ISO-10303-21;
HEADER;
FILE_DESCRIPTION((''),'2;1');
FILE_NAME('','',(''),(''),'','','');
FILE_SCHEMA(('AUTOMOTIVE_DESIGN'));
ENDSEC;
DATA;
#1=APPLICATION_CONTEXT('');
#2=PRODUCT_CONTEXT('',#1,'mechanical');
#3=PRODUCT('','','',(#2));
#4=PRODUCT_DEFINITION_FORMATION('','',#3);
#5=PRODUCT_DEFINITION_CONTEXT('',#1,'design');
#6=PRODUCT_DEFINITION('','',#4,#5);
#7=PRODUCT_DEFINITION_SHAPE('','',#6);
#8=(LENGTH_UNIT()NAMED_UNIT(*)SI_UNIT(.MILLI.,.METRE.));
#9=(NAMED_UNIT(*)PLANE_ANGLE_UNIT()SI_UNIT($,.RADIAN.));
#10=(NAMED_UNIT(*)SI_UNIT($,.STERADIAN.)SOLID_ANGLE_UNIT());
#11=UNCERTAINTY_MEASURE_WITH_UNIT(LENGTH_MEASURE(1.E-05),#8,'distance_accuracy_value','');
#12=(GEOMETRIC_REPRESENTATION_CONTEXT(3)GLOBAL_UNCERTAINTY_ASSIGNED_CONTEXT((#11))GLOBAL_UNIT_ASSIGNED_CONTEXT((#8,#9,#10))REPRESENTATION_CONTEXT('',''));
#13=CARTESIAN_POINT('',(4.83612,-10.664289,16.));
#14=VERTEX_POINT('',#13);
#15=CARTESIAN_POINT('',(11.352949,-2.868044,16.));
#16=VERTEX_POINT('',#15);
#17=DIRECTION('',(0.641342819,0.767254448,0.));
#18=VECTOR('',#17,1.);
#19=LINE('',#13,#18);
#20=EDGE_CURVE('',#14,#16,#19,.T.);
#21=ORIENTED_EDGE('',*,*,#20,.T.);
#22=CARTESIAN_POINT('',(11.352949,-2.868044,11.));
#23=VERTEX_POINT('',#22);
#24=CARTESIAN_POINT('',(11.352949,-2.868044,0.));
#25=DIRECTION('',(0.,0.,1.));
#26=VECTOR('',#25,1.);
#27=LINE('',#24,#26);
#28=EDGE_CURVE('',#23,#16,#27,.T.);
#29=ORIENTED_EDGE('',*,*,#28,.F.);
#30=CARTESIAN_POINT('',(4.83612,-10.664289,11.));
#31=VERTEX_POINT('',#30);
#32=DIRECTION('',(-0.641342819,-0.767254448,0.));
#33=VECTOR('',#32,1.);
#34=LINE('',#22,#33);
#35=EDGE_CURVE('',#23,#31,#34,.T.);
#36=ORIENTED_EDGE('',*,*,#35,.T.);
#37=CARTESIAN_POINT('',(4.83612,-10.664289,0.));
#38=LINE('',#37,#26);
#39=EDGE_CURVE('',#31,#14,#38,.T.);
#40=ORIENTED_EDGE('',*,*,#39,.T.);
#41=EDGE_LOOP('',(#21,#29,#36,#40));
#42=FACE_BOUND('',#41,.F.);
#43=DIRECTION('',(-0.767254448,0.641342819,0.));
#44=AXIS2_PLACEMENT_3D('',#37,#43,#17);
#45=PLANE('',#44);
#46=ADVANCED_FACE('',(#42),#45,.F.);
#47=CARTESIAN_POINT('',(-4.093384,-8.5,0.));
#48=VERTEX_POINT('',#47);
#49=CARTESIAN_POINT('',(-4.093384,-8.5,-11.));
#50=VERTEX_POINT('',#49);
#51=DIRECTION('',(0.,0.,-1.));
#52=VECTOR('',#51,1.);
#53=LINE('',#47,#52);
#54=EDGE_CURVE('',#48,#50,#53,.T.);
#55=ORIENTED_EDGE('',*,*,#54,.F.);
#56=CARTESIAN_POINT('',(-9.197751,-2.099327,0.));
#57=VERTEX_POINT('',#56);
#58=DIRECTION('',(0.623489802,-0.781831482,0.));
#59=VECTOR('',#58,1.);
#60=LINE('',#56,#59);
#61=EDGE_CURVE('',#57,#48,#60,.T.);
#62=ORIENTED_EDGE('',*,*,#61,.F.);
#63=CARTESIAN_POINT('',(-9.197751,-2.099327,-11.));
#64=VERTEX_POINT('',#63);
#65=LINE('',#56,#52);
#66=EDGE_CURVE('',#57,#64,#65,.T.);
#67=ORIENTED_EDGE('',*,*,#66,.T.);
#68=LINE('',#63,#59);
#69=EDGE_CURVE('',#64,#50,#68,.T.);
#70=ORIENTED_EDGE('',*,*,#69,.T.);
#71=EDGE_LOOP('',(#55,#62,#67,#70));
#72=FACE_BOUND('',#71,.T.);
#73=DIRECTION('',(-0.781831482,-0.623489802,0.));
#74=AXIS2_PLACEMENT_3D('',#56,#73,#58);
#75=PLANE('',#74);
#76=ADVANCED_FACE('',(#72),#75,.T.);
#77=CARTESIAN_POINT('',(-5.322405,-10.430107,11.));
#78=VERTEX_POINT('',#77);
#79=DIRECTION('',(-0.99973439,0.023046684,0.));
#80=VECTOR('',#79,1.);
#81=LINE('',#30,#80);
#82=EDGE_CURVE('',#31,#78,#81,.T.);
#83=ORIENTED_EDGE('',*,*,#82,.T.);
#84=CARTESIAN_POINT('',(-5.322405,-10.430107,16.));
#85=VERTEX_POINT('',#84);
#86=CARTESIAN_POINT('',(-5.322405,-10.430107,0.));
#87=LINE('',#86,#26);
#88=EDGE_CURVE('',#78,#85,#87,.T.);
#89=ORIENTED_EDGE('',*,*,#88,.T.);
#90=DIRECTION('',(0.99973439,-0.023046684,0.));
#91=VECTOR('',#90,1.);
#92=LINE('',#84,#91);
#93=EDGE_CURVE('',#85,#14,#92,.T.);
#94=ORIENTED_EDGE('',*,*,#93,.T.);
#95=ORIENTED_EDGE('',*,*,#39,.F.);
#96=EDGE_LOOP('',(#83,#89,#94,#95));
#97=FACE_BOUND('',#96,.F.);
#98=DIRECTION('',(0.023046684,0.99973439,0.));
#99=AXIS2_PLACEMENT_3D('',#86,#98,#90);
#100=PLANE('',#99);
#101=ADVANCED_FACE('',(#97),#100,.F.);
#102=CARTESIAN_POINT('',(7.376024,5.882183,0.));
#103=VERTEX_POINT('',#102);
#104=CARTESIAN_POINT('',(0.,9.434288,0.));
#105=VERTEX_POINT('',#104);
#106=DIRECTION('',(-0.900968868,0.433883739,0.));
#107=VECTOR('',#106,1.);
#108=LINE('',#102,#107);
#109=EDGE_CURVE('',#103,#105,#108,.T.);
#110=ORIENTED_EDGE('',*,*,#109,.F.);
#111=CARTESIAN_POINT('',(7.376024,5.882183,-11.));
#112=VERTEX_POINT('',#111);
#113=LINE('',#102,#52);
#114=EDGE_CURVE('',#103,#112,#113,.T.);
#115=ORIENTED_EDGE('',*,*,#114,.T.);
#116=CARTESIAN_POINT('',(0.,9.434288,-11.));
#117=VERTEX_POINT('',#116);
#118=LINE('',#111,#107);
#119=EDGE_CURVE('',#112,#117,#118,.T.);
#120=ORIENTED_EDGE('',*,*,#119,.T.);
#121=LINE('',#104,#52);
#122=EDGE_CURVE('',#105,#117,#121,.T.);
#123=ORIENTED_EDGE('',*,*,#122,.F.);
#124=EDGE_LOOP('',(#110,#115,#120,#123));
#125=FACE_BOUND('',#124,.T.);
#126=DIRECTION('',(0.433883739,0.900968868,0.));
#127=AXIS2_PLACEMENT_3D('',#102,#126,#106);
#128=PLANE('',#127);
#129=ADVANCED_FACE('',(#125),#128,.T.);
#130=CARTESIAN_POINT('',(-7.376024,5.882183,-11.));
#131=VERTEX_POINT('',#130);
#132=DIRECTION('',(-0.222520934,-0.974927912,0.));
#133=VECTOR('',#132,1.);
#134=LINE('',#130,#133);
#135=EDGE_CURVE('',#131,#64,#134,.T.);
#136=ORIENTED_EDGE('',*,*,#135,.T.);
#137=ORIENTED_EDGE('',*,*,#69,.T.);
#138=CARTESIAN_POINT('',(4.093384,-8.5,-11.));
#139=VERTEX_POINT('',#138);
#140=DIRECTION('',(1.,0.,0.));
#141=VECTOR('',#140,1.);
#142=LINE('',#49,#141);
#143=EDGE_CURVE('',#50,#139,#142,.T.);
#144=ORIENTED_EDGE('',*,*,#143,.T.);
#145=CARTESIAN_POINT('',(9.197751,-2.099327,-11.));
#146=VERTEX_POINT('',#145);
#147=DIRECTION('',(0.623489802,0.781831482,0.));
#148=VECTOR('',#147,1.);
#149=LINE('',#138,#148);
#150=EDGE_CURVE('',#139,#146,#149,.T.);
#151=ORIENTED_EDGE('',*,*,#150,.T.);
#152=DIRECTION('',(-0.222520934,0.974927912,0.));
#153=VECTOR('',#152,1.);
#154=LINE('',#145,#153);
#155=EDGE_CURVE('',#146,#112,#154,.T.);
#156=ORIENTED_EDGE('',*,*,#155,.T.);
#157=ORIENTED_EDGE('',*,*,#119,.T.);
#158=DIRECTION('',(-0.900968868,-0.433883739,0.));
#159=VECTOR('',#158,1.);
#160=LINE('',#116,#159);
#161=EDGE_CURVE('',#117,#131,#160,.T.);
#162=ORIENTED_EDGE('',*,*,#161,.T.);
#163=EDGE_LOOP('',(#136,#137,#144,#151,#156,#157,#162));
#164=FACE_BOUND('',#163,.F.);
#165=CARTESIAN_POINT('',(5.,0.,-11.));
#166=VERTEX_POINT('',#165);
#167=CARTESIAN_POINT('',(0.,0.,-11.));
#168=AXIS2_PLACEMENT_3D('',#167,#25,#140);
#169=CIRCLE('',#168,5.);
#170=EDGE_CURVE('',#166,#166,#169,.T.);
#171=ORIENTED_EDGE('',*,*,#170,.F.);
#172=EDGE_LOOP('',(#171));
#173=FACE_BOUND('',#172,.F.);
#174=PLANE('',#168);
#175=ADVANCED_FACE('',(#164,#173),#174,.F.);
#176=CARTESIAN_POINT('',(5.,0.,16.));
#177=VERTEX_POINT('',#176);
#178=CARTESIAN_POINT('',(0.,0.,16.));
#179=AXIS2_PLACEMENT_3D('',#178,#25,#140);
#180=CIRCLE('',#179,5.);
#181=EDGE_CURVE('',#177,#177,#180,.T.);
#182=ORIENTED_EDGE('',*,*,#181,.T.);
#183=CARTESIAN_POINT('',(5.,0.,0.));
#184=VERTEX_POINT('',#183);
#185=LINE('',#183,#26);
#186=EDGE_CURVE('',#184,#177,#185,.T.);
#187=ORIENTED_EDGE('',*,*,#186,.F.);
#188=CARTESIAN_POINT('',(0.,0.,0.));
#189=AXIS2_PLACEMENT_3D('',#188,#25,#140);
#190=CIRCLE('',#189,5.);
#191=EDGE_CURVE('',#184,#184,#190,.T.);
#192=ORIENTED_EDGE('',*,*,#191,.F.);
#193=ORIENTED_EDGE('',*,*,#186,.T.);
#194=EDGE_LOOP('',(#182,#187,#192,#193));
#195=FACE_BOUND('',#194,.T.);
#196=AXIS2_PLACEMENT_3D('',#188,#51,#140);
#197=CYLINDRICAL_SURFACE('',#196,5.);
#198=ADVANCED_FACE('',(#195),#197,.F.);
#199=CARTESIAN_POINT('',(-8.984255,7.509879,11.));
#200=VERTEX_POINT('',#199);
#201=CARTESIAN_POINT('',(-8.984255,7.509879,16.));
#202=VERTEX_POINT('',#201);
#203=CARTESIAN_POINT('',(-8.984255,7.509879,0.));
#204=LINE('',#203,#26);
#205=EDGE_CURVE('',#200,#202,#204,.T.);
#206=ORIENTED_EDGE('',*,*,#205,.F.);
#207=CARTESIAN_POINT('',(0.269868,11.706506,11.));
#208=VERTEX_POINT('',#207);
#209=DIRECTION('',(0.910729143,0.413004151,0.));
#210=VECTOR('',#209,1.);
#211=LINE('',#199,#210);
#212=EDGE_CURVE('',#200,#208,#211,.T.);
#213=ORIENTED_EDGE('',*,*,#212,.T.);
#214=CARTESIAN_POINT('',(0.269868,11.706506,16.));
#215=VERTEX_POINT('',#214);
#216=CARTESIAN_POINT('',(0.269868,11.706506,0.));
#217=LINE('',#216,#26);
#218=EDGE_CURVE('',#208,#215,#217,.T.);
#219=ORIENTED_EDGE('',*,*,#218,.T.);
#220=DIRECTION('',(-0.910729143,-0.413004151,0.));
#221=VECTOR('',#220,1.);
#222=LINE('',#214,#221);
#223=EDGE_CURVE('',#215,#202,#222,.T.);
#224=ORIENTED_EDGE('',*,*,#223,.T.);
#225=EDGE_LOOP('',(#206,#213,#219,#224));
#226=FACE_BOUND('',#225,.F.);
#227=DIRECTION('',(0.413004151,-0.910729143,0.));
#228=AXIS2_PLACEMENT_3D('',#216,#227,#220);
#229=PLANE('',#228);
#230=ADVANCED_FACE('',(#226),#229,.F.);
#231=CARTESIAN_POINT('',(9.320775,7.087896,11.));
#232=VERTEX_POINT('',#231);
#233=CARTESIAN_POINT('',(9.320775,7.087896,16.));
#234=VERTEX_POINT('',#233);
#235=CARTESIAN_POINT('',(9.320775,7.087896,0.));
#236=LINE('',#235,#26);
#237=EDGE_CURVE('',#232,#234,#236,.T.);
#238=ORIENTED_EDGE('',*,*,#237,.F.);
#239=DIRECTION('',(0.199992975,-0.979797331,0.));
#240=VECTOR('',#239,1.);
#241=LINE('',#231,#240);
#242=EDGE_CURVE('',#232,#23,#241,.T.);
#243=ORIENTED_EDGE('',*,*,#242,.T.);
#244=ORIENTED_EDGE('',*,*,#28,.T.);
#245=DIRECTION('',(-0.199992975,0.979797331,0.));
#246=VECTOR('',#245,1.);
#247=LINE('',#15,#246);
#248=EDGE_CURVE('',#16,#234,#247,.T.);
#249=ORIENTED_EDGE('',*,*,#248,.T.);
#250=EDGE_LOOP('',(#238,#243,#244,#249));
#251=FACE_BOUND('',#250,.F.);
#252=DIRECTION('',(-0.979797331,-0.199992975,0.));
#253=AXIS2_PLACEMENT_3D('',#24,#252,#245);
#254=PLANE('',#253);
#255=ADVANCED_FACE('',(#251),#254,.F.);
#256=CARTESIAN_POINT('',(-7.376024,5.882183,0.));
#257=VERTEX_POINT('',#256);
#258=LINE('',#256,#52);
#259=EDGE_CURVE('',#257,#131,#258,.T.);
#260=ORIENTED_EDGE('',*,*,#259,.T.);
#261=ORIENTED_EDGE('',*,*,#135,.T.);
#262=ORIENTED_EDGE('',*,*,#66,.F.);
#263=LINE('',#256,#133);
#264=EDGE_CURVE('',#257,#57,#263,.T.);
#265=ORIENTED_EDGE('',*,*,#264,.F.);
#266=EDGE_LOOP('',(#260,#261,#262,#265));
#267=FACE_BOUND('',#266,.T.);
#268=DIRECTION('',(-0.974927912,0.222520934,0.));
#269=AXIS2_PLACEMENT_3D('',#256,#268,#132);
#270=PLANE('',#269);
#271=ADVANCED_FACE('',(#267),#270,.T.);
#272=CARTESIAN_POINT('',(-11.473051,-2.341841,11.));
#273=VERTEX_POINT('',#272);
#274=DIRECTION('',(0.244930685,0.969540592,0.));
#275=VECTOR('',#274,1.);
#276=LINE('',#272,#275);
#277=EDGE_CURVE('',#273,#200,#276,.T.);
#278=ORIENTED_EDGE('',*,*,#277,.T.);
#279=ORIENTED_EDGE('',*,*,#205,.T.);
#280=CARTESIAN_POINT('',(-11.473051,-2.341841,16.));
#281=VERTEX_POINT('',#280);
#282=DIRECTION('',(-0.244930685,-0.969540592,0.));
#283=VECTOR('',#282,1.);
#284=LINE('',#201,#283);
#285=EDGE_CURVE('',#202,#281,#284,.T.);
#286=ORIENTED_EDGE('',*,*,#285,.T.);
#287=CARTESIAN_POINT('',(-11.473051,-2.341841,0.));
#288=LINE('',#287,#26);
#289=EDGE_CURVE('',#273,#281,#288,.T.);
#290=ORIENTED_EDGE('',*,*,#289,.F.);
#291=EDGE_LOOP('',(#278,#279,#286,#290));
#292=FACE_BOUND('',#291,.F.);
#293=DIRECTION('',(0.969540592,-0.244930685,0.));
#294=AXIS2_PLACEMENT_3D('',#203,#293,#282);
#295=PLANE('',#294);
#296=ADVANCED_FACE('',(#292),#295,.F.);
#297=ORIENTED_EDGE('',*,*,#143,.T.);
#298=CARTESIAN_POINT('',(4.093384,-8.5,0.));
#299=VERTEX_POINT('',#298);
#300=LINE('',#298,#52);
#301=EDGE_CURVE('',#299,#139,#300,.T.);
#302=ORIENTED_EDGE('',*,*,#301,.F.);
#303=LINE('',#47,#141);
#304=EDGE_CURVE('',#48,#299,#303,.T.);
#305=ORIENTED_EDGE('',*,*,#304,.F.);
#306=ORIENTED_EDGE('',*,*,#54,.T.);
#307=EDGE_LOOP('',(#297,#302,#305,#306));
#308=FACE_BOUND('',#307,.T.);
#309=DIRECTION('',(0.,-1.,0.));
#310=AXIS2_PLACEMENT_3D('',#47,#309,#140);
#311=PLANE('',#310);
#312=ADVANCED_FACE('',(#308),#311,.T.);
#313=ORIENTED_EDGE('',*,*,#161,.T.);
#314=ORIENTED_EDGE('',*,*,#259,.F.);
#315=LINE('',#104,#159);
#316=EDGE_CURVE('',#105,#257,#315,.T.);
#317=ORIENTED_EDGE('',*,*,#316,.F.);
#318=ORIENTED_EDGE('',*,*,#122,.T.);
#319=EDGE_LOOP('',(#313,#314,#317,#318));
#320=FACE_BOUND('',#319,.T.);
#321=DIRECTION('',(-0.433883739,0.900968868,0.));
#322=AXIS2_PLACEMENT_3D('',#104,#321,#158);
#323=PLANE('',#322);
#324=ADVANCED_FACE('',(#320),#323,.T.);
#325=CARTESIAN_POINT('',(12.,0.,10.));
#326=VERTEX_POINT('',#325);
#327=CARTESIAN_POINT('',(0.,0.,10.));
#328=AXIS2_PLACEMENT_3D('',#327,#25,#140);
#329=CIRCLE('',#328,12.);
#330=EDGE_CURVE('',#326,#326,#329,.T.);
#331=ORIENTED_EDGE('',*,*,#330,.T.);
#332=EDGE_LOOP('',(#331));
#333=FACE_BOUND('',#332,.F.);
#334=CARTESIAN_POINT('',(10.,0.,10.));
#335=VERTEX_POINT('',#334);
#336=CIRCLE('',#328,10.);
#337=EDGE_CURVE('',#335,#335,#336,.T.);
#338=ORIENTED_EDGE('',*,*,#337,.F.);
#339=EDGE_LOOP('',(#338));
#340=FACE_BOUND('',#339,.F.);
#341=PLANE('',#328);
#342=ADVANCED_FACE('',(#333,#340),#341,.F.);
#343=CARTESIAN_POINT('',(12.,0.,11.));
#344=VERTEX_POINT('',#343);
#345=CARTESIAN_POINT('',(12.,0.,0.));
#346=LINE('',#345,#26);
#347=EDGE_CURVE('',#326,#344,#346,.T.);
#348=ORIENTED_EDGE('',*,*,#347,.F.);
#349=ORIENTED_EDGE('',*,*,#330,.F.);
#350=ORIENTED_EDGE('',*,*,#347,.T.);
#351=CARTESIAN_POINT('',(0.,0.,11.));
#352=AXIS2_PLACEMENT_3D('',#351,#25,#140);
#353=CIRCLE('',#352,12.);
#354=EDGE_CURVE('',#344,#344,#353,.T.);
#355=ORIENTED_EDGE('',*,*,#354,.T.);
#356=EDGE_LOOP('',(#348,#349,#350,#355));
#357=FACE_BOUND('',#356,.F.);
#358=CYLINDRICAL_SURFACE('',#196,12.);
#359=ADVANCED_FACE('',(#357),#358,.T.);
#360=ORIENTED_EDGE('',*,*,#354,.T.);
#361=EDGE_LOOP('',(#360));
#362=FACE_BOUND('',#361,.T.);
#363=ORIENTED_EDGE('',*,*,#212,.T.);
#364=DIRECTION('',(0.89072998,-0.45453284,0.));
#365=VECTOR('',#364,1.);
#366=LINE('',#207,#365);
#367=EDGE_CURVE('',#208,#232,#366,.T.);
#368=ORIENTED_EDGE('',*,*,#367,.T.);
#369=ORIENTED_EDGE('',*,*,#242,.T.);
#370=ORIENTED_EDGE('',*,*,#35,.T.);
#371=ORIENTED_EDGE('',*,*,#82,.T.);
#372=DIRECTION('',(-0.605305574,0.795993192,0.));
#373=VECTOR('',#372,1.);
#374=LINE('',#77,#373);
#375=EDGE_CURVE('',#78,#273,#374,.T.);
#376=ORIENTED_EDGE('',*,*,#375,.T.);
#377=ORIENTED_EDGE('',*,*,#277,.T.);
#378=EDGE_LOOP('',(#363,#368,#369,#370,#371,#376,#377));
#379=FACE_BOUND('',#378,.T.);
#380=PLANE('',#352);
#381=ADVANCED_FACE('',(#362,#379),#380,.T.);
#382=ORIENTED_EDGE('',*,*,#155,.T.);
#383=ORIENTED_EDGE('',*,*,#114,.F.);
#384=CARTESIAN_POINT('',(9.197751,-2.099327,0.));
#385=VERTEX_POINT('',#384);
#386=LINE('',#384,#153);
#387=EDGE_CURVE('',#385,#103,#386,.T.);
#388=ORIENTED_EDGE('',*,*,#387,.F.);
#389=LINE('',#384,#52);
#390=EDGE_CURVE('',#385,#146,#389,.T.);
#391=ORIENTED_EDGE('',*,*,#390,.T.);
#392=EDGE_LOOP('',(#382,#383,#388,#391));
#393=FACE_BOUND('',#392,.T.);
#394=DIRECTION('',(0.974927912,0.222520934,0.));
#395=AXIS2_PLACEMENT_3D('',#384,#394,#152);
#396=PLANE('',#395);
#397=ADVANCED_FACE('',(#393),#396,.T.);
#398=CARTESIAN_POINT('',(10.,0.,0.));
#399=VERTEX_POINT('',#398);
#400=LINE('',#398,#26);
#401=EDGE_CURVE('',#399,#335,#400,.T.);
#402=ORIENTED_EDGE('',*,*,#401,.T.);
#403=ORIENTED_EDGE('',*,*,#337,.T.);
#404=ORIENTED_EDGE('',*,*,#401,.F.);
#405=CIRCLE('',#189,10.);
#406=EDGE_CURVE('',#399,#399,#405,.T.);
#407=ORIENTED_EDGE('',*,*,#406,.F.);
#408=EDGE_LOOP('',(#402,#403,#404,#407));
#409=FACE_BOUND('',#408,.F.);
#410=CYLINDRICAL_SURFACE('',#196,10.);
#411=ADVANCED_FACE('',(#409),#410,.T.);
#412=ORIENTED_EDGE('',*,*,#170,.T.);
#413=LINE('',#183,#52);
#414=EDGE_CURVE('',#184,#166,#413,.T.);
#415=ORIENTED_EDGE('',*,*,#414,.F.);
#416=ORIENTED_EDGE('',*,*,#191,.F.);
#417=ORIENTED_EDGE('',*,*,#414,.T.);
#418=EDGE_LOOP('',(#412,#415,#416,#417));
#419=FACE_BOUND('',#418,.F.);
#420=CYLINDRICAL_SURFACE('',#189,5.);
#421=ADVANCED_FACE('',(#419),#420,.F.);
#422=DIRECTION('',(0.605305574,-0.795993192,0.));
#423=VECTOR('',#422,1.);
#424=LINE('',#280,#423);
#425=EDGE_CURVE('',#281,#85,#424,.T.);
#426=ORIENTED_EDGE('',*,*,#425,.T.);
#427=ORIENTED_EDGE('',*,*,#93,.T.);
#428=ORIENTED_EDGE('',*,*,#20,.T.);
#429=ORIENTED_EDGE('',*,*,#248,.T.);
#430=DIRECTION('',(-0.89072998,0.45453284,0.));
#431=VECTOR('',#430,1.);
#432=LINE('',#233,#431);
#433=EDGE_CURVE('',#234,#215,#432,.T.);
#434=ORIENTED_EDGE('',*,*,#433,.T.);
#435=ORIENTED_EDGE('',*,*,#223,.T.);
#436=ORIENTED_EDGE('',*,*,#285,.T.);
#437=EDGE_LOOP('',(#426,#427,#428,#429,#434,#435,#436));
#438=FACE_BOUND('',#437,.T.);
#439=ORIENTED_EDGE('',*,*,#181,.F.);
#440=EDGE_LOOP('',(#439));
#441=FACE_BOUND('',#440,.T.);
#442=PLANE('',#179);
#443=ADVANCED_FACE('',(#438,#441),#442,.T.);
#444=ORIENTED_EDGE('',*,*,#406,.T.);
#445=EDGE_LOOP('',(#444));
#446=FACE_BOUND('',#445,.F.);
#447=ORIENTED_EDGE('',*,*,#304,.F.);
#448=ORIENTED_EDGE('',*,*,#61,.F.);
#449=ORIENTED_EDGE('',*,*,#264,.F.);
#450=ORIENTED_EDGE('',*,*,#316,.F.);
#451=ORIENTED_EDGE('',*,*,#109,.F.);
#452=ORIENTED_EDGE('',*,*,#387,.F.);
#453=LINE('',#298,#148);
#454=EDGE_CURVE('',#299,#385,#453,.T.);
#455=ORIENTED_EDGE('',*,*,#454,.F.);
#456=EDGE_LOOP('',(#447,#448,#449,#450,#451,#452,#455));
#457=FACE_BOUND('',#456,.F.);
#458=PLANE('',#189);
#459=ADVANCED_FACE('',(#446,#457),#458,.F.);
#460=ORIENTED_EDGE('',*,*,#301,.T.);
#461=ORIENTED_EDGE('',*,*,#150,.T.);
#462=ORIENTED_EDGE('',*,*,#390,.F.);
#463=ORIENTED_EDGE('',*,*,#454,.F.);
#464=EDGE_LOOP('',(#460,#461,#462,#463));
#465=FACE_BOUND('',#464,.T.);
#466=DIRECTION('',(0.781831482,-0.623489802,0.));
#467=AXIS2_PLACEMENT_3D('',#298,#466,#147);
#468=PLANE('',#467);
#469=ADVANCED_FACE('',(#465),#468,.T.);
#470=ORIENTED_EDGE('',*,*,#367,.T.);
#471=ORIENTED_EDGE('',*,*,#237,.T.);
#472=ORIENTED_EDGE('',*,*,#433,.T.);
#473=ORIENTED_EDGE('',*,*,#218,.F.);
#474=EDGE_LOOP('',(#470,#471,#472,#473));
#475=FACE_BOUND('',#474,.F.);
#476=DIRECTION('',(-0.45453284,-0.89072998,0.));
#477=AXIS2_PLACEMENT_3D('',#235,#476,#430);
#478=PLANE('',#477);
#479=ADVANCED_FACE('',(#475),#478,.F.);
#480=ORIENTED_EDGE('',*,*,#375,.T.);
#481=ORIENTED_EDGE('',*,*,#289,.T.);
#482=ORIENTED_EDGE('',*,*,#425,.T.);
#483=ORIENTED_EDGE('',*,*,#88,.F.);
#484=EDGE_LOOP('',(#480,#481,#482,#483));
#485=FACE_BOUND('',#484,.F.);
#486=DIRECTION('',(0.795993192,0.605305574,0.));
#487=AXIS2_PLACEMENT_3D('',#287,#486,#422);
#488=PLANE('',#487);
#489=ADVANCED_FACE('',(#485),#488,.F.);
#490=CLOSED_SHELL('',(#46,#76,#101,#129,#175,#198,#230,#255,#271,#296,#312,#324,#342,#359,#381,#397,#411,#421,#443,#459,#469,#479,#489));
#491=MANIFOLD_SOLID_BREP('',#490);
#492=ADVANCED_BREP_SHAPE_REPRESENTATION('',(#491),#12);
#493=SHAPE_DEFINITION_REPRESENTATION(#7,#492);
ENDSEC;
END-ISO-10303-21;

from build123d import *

# Parameters (mm, degrees)
F0_R     = 10
F0_R_2   = 5
F1_DEPTH = 16
F0_R_3   = 12
F2_DEPTH = 11
F3_DEPTH = 10
F4_DEPTH = 10
F5_DEPTH = 11


with BuildPart() as f1:
    # F0 (on Top) → F1 (new body)
    with BuildSketch(Plane.XY):
        Polygon((4.8361202547, -10.664289076), (11.3529485972, -2.8680444149), (9.320775088, 7.0878961882), (0.2698678284, 11.7065063948), (-8.9842554103, 7.5098785169), (-11.4730510796, -2.3418410578), (-5.3224052784, -10.4301065511), align=None)
        Circle(F0_R, mode=Mode.SUBTRACT)
        Circle(F0_R)
        Polygon((9.1977509421, -2.0993266316), (4.0933842599, -8.5), (-4.0933842599, -8.5), (-9.1977509421, -2.0993266316), (-7.376023565, 5.8821825089), (0, 9.4342882455), (7.376023565, 5.8821825089), align=None, mode=Mode.SUBTRACT)
        Polygon((-4.0933842599, -8.5), (4.0933842599, -8.5), (9.1977509421, -2.0993266316), (7.376023565, 5.8821825089), (0, 9.4342882455), (-7.376023565, 5.8821825089), (-9.1977509421, -2.0993266316), align=None)
        Circle(F0_R_2, mode=Mode.SUBTRACT)
    extrude(amount=F1_DEPTH)

    # F0 (on Top) → F2 (join)
    with BuildSketch(Plane.XY):
        Circle(F0_R_3)
        Polygon((9.320775088, 7.0878961882), (11.3529485972, -2.8680444149), (4.8361202547, -10.664289076), (-5.3224052784, -10.4301065511), (-11.4730510796, -2.3418410578), (-8.9842554103, 7.5098785169), (0.2698678284, 11.7065063948), align=None, mode=Mode.SUBTRACT)
    extrude(amount=F2_DEPTH)

    # F0 (on Top) → F3 (cut)
    with BuildSketch(Plane.XY):
        Circle(F0_R_3)
        Polygon((9.320775088, 7.0878961882), (11.3529485972, -2.8680444149), (4.8361202547, -10.664289076), (-5.3224052784, -10.4301065511), (-11.4730510796, -2.3418410578), (-8.9842554103, 7.5098785169), (0.2698678284, 11.7065063948), align=None, mode=Mode.SUBTRACT)
    extrude(amount=F3_DEPTH, mode=Mode.SUBTRACT)

    # F0 (on Top) → F4 (cut)
    with BuildSketch(Plane.XY):
        Polygon((4.8361202547, -10.664289076), (11.3529485972, -2.8680444149), (9.320775088, 7.0878961882), (0.2698678284, 11.7065063948), (-8.9842554103, 7.5098785169), (-11.4730510796, -2.3418410578), (-5.3224052784, -10.4301065511), align=None)
        Circle(F0_R, mode=Mode.SUBTRACT)
    extrude(amount=F4_DEPTH, mode=Mode.SUBTRACT)

    # F0 (on Top) → F5 (join)
    with BuildSketch(Plane.XY):
        Polygon((-4.0933842599, -8.5), (4.0933842599, -8.5), (9.1977509421, -2.0993266316), (7.376023565, 5.8821825089), (0, 9.4342882455), (-7.376023565, 5.8821825089), (-9.1977509421, -2.0993266316), align=None)
        Circle(F0_R_2, mode=Mode.SUBTRACT)
    extrude(amount=-F5_DEPTH)


solid = f1.part
